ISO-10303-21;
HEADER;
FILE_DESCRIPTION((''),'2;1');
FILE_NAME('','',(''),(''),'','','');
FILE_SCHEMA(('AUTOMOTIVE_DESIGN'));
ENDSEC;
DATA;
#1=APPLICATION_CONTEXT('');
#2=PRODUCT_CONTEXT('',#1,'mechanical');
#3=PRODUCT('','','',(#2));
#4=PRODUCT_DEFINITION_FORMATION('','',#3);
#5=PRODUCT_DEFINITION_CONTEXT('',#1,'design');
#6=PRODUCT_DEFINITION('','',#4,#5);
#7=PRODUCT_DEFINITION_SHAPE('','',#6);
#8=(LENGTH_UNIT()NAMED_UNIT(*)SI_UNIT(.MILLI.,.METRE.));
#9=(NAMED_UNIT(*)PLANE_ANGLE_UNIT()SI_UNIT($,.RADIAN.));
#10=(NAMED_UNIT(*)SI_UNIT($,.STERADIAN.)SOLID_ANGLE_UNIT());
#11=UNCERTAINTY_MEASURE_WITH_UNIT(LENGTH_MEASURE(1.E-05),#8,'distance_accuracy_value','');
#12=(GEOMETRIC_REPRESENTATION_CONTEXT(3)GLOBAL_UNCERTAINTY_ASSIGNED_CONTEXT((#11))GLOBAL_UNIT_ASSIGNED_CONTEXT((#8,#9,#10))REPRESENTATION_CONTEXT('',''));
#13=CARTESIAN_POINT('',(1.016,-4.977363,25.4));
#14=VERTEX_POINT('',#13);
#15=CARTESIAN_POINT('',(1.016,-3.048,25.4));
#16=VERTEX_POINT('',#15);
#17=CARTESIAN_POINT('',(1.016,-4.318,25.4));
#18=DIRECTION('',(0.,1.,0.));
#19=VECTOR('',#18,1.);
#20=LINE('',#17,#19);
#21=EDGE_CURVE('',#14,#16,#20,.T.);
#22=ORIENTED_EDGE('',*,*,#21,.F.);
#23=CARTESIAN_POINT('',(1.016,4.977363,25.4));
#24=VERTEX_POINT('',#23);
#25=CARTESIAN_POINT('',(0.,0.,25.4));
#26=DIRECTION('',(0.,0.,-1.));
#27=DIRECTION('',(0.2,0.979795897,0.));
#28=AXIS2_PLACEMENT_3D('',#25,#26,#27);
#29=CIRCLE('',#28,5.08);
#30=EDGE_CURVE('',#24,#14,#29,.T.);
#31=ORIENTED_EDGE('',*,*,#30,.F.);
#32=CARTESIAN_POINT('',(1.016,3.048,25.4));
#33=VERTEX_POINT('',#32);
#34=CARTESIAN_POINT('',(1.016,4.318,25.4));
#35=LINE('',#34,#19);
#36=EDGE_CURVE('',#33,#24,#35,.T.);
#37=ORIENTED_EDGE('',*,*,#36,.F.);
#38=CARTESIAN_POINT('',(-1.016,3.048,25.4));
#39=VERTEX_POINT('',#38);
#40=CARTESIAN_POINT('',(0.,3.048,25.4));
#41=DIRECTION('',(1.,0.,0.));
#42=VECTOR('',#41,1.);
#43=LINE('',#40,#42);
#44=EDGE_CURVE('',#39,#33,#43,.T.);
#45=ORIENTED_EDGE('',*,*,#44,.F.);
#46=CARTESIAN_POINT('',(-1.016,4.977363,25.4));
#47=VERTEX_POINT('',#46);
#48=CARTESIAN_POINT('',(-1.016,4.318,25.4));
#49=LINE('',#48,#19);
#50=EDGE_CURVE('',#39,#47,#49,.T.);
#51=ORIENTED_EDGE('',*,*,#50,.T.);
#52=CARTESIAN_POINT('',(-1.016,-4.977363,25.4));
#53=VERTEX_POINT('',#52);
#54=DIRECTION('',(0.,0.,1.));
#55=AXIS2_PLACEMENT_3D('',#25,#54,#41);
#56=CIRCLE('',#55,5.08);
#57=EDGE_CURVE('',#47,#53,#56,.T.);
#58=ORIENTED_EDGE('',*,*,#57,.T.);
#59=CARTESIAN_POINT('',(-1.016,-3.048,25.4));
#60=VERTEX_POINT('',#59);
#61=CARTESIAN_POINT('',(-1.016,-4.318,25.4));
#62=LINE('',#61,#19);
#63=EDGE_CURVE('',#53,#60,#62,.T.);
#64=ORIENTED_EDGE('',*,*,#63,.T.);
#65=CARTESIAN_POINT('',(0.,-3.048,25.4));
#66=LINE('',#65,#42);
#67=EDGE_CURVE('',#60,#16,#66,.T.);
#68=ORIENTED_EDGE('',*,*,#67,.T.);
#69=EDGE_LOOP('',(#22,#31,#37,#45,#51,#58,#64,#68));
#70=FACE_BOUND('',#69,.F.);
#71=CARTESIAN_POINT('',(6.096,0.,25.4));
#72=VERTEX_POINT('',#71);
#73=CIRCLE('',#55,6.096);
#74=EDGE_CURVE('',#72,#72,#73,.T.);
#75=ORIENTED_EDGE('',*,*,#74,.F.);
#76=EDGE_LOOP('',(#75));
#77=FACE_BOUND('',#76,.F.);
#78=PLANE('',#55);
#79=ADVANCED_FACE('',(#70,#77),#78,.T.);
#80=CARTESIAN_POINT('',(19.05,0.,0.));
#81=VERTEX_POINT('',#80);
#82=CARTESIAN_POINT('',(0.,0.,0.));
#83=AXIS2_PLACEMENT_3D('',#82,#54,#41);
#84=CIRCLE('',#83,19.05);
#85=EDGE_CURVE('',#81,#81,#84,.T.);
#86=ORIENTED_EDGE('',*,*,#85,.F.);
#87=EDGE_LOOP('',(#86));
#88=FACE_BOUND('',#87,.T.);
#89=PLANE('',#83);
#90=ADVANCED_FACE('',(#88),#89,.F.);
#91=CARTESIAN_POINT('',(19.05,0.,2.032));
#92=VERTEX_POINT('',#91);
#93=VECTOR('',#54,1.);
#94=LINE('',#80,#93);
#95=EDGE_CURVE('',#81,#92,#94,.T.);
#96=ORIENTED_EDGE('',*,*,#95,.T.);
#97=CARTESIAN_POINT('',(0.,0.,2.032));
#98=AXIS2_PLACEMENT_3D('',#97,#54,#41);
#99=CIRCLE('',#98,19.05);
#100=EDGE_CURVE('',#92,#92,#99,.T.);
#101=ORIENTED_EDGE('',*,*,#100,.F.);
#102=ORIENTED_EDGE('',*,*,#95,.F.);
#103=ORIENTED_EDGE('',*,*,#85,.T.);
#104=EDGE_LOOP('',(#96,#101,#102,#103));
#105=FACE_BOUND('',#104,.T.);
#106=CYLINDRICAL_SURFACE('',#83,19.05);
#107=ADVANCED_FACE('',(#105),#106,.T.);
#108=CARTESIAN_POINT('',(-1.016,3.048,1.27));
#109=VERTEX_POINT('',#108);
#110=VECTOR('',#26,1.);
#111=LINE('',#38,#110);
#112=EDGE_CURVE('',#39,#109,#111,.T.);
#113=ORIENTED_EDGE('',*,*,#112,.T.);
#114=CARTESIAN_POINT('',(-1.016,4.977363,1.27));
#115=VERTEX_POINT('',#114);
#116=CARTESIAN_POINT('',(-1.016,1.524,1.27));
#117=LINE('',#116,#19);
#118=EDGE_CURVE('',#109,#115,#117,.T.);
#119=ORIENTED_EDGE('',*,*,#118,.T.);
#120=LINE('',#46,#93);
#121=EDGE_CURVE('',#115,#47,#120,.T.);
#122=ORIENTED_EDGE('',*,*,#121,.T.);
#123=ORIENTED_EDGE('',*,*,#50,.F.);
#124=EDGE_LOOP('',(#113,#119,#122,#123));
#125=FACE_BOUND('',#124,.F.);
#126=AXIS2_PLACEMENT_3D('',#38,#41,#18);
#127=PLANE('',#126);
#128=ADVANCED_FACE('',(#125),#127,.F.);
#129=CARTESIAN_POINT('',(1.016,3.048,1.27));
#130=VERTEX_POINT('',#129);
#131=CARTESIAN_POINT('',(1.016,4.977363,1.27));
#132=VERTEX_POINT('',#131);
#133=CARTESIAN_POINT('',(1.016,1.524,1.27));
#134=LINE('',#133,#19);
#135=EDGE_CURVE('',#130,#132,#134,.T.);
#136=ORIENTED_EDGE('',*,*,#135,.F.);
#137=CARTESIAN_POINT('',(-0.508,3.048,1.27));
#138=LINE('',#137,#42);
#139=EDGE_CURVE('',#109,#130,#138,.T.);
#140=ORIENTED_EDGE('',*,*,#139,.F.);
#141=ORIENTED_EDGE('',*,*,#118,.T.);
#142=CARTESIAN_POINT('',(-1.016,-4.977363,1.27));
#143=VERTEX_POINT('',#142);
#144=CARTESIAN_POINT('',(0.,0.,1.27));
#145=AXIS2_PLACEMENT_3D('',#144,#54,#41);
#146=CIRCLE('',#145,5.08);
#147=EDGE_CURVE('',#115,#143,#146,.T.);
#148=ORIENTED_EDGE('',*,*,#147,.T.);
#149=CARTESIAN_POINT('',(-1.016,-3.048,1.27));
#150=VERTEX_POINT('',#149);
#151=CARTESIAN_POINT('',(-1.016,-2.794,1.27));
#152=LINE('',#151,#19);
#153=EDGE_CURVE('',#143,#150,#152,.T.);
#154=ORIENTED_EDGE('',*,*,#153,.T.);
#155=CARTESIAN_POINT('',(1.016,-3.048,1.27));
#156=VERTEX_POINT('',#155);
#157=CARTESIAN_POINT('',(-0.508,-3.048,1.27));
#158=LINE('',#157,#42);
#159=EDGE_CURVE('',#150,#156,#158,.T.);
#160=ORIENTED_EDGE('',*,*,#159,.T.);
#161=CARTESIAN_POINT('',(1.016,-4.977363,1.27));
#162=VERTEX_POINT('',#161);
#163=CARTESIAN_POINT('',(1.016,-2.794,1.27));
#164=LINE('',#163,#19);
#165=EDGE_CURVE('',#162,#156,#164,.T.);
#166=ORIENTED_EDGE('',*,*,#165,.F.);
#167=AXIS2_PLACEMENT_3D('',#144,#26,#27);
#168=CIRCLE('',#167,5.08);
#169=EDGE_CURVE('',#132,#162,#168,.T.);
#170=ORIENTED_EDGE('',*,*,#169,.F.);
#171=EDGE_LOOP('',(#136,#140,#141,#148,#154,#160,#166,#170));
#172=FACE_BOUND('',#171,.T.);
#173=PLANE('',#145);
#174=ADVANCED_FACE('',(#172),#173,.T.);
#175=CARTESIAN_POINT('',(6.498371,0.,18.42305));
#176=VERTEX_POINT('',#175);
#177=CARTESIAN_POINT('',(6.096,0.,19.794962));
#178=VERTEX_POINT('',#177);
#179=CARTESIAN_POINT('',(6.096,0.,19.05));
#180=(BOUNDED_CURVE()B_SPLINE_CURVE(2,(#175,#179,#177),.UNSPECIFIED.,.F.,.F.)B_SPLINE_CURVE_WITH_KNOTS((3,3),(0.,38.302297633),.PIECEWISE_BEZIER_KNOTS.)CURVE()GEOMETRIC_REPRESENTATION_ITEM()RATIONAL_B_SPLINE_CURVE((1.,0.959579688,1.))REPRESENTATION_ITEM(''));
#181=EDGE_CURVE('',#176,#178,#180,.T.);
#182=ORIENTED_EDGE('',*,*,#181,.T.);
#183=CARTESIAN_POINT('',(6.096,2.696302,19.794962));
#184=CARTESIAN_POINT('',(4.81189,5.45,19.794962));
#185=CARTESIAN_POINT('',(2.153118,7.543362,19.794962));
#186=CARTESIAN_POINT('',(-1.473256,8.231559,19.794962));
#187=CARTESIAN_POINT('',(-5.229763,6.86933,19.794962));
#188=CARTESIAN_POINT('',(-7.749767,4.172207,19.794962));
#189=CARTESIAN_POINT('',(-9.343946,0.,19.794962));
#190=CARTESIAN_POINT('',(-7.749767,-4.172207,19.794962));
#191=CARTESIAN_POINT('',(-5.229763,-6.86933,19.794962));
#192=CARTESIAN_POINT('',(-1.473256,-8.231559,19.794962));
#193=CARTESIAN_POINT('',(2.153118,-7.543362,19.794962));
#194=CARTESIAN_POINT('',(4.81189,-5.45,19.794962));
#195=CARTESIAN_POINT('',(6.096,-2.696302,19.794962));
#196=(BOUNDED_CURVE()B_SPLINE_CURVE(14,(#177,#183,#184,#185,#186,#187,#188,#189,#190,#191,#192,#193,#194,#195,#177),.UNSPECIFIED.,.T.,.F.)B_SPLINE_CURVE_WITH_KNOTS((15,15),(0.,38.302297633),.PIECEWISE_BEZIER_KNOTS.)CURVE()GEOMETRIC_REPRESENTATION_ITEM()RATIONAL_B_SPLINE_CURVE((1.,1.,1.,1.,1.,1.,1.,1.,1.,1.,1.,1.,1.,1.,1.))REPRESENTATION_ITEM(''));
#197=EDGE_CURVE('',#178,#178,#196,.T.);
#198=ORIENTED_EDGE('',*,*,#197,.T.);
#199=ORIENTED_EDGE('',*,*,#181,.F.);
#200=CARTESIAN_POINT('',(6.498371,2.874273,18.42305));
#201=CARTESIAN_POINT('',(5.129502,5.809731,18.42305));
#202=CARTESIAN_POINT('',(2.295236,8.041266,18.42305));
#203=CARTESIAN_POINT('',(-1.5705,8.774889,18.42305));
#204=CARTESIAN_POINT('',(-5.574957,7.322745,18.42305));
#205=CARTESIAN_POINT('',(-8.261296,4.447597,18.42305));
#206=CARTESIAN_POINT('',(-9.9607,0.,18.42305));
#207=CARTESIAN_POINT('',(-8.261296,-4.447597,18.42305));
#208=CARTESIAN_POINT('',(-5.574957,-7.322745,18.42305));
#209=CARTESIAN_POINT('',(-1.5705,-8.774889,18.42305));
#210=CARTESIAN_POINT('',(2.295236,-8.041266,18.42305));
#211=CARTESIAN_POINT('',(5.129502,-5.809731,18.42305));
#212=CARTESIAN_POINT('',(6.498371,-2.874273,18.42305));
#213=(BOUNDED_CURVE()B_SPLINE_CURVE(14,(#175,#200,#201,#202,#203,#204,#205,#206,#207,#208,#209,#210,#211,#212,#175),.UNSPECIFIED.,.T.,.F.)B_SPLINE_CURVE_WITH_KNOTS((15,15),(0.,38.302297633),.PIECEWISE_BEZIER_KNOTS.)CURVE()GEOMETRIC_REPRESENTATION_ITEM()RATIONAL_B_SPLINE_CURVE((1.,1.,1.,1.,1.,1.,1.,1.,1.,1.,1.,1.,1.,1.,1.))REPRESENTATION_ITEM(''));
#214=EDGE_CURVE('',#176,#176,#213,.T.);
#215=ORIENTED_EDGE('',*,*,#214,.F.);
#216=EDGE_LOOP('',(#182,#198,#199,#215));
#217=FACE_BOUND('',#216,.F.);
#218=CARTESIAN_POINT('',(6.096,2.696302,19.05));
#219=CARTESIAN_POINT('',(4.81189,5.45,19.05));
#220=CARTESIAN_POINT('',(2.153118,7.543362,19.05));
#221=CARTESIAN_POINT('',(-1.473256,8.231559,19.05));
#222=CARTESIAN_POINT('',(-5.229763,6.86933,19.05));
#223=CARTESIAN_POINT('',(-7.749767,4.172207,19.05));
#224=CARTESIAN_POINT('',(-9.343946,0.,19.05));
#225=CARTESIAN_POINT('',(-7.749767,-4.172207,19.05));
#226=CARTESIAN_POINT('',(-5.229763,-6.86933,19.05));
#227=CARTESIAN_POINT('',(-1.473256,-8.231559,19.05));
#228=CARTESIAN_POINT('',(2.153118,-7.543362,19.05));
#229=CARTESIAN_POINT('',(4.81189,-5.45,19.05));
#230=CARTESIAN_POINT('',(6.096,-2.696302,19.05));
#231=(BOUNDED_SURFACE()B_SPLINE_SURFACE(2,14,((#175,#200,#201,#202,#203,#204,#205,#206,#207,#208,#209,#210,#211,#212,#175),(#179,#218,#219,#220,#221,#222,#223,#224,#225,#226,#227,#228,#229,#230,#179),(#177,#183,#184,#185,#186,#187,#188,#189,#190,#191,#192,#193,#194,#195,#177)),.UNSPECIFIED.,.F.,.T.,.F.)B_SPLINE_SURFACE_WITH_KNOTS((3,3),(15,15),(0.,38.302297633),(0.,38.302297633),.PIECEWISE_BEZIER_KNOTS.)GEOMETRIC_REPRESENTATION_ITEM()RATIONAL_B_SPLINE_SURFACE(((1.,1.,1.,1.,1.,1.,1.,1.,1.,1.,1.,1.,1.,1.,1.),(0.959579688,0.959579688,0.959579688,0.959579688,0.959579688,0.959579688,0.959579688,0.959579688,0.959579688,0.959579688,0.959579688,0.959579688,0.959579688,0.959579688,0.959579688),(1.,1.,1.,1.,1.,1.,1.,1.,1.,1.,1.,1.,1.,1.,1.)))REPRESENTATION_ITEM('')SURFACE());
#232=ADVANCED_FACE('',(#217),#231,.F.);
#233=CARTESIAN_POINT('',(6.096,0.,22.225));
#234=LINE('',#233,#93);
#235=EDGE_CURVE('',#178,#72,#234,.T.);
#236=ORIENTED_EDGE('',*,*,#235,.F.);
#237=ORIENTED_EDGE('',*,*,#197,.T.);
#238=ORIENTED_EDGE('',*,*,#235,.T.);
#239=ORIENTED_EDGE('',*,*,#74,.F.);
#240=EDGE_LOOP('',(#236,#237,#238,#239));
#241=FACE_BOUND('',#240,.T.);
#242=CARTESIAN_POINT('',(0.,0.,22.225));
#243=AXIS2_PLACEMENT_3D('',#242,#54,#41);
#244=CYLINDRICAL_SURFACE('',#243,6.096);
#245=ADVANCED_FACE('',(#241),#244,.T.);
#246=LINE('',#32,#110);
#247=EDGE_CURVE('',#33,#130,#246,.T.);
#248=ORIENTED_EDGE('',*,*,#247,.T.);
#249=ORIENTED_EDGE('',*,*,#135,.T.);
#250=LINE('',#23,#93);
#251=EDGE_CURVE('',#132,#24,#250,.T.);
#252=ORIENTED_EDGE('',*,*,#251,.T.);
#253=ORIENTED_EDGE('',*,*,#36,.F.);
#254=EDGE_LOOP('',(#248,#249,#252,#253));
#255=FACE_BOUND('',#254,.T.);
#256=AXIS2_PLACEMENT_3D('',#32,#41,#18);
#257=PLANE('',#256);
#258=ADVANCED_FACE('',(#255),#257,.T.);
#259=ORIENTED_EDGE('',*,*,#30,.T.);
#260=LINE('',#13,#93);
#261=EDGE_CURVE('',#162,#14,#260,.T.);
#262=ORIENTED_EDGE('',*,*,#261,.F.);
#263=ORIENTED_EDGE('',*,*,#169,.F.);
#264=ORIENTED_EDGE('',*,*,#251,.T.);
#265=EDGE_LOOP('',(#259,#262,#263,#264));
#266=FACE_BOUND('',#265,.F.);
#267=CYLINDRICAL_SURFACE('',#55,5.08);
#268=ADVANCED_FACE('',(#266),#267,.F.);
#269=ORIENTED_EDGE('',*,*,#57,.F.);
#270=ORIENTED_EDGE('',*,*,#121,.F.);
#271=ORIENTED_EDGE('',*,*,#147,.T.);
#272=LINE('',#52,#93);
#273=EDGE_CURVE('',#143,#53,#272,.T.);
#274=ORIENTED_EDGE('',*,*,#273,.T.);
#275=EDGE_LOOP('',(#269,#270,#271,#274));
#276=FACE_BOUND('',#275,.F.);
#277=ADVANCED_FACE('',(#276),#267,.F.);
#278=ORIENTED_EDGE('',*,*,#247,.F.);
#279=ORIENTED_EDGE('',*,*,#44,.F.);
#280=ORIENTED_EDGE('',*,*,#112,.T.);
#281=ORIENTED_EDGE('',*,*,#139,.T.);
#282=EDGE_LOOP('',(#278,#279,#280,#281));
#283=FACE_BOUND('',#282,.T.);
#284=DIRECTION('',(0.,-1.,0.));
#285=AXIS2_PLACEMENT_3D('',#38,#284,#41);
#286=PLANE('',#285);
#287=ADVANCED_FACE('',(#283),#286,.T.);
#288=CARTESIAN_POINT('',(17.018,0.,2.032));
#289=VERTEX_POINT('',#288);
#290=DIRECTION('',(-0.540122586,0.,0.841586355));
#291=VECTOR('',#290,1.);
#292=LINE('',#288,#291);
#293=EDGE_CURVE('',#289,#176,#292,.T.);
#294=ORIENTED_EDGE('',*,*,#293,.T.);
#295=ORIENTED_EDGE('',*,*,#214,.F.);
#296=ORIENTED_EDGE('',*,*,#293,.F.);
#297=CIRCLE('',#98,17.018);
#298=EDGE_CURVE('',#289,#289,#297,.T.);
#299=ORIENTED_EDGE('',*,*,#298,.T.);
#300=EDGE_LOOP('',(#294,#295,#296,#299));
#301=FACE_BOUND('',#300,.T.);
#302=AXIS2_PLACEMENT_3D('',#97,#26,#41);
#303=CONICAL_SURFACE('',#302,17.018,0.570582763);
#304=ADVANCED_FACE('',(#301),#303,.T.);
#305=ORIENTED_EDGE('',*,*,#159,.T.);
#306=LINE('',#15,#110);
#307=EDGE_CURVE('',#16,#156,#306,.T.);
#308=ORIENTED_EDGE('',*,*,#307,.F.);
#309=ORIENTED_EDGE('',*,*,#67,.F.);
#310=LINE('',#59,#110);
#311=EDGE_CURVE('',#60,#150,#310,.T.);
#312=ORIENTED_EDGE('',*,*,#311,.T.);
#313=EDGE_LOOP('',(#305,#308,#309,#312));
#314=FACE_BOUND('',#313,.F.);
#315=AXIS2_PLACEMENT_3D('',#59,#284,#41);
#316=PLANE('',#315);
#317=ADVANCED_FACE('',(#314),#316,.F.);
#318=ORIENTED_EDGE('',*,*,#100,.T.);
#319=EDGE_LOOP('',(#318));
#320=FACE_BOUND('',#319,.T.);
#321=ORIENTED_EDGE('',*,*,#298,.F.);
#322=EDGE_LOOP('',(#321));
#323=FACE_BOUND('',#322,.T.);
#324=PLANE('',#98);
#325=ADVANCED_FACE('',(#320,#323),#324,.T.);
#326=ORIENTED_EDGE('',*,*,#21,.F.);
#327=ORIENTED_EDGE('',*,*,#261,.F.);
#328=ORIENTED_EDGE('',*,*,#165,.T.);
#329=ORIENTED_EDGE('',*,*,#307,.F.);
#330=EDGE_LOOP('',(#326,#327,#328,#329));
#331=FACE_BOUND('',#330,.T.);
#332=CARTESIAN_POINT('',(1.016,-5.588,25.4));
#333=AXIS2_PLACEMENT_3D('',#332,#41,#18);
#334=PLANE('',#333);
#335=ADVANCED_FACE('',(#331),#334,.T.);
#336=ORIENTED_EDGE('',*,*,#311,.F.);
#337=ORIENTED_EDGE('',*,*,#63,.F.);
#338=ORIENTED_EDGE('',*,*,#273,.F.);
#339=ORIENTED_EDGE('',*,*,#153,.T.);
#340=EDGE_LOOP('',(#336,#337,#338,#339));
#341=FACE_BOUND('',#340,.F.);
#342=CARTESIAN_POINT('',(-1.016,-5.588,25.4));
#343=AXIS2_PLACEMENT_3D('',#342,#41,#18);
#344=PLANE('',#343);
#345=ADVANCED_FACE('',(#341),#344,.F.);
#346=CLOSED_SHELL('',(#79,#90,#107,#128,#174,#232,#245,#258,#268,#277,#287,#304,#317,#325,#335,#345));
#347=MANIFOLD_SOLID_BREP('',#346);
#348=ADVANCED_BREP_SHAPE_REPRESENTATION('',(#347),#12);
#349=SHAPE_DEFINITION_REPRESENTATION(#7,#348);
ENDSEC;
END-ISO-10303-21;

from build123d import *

# Parameters (mm, degrees)
F0_W     = 6.096
F0_H     = 6.35
F2_R     = 5.08
F3_DEPTH = 24.13
F4_R     = 2.54
F5_W     = 2.032
F5_H     = 2.54
F6_DEPTH = 25.4


with BuildPart() as f1:
    # F0 (on Front) → F1 (revolve)
    with BuildSketch(Plane.XZ):
        Polygon((0, 19.05), (0, 0), (19.05, 0), (19.05, 2.032), (17.018, 2.032), (6.096, 19.05), align=None)
        with Locations((3.048, 22.225)):
            Rectangle(F0_W, F0_H)
    revolve(axis=Axis((0, 0, 9.525), (0, 0, 1)))

    # F2 (on face) → F3 (cut)
    with BuildSketch(Plane.XY.offset(25.4)):
        Circle(F2_R)
    extrude(amount=-F3_DEPTH, mode=Mode.SUBTRACT)

    # F4
    f4_edges = [f1.edges().sort_by_distance(p)[0] for p in [
        (-6.096, 0, 19.05),
    ]]
    fillet(f4_edges, radius=F4_R)

    # F5 (on face) → F6 (join)
    with BuildSketch(Plane.XY.offset(25.4)):
        with Locations((0, -4.318)):
            Rectangle(F5_W, F5_H)
        with Locations((0, 4.318)):
            Rectangle(F5_W, F5_H)
    extrude(amount=-F6_DEPTH)


solid = f1.part
